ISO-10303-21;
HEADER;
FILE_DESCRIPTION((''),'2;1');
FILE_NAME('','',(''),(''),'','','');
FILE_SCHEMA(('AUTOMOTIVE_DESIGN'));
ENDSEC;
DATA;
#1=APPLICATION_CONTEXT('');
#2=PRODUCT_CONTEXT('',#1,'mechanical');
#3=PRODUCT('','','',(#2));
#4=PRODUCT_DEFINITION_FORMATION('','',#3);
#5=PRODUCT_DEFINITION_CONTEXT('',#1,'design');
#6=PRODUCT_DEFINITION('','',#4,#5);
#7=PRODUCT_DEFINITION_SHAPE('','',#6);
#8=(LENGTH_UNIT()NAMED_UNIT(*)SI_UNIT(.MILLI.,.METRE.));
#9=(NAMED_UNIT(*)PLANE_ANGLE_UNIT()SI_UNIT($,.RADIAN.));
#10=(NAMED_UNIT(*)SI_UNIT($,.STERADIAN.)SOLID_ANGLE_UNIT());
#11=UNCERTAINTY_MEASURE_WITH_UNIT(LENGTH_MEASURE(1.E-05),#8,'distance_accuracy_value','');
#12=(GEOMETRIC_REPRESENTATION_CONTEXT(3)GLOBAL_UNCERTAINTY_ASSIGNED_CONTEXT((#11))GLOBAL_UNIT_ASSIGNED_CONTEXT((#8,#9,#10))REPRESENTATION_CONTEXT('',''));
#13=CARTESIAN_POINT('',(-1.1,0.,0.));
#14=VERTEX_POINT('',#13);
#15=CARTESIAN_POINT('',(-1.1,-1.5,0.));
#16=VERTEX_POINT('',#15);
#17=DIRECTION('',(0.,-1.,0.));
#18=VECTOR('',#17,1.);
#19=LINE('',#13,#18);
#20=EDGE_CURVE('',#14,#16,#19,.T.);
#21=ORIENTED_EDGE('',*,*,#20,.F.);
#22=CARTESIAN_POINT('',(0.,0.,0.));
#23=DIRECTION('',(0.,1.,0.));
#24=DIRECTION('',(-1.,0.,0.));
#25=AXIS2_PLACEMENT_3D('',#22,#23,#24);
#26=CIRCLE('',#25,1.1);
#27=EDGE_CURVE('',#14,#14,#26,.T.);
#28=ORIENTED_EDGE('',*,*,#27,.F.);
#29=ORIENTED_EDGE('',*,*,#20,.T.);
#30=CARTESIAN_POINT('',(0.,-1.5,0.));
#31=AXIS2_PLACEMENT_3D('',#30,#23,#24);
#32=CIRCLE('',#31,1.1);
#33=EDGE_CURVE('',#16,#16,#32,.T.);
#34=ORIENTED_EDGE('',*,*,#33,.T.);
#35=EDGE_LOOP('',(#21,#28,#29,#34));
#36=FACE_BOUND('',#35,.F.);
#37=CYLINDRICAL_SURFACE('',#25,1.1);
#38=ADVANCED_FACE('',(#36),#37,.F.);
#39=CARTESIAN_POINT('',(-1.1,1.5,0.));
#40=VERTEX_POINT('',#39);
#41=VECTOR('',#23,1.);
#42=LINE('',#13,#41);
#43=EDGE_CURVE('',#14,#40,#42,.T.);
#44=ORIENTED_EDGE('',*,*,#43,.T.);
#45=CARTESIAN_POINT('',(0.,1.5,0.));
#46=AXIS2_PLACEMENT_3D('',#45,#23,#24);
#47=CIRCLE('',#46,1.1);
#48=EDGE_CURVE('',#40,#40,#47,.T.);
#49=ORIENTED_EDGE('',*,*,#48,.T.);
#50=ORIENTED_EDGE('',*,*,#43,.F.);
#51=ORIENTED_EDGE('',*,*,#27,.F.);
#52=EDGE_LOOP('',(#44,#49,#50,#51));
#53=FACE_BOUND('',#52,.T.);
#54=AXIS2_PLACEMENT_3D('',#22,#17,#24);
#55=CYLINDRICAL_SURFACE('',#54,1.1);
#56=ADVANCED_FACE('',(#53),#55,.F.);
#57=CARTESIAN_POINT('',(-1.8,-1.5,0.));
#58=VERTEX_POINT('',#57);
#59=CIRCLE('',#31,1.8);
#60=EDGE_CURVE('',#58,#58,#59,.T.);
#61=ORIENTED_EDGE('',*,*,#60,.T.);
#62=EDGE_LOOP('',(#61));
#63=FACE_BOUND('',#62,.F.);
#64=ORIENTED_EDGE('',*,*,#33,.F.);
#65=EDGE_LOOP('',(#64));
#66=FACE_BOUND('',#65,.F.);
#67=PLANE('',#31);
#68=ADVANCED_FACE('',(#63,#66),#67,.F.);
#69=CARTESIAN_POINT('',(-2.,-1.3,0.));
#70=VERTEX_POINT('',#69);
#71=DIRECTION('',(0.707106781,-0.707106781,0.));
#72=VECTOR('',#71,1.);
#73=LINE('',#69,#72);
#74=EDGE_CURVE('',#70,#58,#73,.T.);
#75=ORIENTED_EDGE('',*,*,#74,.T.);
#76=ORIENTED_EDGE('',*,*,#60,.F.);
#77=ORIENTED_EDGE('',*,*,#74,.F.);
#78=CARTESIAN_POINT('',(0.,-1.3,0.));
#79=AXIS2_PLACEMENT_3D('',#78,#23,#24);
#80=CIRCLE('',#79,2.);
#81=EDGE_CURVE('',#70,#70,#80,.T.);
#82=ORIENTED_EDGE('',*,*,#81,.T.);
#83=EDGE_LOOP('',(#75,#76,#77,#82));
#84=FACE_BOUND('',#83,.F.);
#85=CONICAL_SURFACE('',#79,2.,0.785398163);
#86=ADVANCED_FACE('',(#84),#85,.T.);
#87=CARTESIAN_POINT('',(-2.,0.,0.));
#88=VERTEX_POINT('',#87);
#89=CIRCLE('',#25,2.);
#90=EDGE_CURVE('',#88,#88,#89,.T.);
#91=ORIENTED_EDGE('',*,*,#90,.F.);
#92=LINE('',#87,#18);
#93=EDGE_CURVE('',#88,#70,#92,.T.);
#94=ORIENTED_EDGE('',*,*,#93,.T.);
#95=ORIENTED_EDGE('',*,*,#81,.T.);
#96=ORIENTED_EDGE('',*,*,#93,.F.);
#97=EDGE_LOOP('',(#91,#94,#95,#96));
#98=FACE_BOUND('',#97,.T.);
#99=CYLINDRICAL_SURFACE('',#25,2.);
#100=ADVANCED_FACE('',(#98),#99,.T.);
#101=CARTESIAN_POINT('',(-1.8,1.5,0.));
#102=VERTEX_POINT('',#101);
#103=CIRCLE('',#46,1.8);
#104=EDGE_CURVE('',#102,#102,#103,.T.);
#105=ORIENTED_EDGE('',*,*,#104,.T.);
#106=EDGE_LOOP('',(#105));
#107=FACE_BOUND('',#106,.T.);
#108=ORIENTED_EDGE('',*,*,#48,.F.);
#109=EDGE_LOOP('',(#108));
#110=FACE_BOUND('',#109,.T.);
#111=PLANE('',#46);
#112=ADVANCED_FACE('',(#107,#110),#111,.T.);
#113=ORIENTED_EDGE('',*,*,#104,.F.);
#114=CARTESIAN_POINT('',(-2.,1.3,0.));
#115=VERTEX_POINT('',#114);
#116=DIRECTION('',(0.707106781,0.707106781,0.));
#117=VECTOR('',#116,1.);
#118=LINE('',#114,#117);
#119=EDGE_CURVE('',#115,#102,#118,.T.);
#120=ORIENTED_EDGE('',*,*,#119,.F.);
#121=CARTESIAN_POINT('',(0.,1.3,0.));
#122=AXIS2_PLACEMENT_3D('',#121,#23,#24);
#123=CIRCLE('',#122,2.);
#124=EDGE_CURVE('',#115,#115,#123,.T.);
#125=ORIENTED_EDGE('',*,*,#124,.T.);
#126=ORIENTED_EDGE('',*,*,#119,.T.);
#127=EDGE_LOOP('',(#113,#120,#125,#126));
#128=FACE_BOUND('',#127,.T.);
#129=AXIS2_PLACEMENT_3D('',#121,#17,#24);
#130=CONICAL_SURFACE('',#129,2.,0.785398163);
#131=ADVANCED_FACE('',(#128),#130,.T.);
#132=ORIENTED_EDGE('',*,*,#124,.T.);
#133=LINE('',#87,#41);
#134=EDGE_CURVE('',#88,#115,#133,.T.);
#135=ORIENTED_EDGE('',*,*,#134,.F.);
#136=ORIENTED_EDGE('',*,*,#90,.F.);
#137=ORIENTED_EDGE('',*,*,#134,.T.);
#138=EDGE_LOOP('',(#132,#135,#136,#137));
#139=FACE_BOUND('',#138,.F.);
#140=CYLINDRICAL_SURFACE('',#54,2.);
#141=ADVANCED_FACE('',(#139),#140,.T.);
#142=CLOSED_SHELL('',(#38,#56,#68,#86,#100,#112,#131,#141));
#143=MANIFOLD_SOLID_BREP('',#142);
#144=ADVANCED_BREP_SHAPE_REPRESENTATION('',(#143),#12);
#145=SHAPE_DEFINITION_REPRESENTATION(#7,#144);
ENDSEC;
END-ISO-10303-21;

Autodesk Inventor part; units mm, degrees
ref_plane "YZ Plane" through (0, 0, 0) normal (1, 0, 0) x (0, 1, 0)
ref_plane "XZ Plane" through (0, 0, 0) normal (0, 1, 0) x (-1, 0, 0)
ref_plane "XY Plane" through (0, 0, 0) normal (0, 0, 1) x (1, 0, 0)
sketch "スケッチ1" plane through (0, 0, 0) normal (0, 1, 0) x (-1, 0, 0)
  circle A0 centre (0, 0) radius 2
  circle A1 centre (0, 0) radius 1.1
  dimension "d0" = 4
  dimension "d1" = 2.2
extrude "押し出し1" add sketch "スケッチ1" along normal mid plane 3
chamfer "面取り1" distance 0.2 angle 45 2 edges at (2, 1.5, 0) (2, -1.5, 0)
properties part number "C-2003-4"
